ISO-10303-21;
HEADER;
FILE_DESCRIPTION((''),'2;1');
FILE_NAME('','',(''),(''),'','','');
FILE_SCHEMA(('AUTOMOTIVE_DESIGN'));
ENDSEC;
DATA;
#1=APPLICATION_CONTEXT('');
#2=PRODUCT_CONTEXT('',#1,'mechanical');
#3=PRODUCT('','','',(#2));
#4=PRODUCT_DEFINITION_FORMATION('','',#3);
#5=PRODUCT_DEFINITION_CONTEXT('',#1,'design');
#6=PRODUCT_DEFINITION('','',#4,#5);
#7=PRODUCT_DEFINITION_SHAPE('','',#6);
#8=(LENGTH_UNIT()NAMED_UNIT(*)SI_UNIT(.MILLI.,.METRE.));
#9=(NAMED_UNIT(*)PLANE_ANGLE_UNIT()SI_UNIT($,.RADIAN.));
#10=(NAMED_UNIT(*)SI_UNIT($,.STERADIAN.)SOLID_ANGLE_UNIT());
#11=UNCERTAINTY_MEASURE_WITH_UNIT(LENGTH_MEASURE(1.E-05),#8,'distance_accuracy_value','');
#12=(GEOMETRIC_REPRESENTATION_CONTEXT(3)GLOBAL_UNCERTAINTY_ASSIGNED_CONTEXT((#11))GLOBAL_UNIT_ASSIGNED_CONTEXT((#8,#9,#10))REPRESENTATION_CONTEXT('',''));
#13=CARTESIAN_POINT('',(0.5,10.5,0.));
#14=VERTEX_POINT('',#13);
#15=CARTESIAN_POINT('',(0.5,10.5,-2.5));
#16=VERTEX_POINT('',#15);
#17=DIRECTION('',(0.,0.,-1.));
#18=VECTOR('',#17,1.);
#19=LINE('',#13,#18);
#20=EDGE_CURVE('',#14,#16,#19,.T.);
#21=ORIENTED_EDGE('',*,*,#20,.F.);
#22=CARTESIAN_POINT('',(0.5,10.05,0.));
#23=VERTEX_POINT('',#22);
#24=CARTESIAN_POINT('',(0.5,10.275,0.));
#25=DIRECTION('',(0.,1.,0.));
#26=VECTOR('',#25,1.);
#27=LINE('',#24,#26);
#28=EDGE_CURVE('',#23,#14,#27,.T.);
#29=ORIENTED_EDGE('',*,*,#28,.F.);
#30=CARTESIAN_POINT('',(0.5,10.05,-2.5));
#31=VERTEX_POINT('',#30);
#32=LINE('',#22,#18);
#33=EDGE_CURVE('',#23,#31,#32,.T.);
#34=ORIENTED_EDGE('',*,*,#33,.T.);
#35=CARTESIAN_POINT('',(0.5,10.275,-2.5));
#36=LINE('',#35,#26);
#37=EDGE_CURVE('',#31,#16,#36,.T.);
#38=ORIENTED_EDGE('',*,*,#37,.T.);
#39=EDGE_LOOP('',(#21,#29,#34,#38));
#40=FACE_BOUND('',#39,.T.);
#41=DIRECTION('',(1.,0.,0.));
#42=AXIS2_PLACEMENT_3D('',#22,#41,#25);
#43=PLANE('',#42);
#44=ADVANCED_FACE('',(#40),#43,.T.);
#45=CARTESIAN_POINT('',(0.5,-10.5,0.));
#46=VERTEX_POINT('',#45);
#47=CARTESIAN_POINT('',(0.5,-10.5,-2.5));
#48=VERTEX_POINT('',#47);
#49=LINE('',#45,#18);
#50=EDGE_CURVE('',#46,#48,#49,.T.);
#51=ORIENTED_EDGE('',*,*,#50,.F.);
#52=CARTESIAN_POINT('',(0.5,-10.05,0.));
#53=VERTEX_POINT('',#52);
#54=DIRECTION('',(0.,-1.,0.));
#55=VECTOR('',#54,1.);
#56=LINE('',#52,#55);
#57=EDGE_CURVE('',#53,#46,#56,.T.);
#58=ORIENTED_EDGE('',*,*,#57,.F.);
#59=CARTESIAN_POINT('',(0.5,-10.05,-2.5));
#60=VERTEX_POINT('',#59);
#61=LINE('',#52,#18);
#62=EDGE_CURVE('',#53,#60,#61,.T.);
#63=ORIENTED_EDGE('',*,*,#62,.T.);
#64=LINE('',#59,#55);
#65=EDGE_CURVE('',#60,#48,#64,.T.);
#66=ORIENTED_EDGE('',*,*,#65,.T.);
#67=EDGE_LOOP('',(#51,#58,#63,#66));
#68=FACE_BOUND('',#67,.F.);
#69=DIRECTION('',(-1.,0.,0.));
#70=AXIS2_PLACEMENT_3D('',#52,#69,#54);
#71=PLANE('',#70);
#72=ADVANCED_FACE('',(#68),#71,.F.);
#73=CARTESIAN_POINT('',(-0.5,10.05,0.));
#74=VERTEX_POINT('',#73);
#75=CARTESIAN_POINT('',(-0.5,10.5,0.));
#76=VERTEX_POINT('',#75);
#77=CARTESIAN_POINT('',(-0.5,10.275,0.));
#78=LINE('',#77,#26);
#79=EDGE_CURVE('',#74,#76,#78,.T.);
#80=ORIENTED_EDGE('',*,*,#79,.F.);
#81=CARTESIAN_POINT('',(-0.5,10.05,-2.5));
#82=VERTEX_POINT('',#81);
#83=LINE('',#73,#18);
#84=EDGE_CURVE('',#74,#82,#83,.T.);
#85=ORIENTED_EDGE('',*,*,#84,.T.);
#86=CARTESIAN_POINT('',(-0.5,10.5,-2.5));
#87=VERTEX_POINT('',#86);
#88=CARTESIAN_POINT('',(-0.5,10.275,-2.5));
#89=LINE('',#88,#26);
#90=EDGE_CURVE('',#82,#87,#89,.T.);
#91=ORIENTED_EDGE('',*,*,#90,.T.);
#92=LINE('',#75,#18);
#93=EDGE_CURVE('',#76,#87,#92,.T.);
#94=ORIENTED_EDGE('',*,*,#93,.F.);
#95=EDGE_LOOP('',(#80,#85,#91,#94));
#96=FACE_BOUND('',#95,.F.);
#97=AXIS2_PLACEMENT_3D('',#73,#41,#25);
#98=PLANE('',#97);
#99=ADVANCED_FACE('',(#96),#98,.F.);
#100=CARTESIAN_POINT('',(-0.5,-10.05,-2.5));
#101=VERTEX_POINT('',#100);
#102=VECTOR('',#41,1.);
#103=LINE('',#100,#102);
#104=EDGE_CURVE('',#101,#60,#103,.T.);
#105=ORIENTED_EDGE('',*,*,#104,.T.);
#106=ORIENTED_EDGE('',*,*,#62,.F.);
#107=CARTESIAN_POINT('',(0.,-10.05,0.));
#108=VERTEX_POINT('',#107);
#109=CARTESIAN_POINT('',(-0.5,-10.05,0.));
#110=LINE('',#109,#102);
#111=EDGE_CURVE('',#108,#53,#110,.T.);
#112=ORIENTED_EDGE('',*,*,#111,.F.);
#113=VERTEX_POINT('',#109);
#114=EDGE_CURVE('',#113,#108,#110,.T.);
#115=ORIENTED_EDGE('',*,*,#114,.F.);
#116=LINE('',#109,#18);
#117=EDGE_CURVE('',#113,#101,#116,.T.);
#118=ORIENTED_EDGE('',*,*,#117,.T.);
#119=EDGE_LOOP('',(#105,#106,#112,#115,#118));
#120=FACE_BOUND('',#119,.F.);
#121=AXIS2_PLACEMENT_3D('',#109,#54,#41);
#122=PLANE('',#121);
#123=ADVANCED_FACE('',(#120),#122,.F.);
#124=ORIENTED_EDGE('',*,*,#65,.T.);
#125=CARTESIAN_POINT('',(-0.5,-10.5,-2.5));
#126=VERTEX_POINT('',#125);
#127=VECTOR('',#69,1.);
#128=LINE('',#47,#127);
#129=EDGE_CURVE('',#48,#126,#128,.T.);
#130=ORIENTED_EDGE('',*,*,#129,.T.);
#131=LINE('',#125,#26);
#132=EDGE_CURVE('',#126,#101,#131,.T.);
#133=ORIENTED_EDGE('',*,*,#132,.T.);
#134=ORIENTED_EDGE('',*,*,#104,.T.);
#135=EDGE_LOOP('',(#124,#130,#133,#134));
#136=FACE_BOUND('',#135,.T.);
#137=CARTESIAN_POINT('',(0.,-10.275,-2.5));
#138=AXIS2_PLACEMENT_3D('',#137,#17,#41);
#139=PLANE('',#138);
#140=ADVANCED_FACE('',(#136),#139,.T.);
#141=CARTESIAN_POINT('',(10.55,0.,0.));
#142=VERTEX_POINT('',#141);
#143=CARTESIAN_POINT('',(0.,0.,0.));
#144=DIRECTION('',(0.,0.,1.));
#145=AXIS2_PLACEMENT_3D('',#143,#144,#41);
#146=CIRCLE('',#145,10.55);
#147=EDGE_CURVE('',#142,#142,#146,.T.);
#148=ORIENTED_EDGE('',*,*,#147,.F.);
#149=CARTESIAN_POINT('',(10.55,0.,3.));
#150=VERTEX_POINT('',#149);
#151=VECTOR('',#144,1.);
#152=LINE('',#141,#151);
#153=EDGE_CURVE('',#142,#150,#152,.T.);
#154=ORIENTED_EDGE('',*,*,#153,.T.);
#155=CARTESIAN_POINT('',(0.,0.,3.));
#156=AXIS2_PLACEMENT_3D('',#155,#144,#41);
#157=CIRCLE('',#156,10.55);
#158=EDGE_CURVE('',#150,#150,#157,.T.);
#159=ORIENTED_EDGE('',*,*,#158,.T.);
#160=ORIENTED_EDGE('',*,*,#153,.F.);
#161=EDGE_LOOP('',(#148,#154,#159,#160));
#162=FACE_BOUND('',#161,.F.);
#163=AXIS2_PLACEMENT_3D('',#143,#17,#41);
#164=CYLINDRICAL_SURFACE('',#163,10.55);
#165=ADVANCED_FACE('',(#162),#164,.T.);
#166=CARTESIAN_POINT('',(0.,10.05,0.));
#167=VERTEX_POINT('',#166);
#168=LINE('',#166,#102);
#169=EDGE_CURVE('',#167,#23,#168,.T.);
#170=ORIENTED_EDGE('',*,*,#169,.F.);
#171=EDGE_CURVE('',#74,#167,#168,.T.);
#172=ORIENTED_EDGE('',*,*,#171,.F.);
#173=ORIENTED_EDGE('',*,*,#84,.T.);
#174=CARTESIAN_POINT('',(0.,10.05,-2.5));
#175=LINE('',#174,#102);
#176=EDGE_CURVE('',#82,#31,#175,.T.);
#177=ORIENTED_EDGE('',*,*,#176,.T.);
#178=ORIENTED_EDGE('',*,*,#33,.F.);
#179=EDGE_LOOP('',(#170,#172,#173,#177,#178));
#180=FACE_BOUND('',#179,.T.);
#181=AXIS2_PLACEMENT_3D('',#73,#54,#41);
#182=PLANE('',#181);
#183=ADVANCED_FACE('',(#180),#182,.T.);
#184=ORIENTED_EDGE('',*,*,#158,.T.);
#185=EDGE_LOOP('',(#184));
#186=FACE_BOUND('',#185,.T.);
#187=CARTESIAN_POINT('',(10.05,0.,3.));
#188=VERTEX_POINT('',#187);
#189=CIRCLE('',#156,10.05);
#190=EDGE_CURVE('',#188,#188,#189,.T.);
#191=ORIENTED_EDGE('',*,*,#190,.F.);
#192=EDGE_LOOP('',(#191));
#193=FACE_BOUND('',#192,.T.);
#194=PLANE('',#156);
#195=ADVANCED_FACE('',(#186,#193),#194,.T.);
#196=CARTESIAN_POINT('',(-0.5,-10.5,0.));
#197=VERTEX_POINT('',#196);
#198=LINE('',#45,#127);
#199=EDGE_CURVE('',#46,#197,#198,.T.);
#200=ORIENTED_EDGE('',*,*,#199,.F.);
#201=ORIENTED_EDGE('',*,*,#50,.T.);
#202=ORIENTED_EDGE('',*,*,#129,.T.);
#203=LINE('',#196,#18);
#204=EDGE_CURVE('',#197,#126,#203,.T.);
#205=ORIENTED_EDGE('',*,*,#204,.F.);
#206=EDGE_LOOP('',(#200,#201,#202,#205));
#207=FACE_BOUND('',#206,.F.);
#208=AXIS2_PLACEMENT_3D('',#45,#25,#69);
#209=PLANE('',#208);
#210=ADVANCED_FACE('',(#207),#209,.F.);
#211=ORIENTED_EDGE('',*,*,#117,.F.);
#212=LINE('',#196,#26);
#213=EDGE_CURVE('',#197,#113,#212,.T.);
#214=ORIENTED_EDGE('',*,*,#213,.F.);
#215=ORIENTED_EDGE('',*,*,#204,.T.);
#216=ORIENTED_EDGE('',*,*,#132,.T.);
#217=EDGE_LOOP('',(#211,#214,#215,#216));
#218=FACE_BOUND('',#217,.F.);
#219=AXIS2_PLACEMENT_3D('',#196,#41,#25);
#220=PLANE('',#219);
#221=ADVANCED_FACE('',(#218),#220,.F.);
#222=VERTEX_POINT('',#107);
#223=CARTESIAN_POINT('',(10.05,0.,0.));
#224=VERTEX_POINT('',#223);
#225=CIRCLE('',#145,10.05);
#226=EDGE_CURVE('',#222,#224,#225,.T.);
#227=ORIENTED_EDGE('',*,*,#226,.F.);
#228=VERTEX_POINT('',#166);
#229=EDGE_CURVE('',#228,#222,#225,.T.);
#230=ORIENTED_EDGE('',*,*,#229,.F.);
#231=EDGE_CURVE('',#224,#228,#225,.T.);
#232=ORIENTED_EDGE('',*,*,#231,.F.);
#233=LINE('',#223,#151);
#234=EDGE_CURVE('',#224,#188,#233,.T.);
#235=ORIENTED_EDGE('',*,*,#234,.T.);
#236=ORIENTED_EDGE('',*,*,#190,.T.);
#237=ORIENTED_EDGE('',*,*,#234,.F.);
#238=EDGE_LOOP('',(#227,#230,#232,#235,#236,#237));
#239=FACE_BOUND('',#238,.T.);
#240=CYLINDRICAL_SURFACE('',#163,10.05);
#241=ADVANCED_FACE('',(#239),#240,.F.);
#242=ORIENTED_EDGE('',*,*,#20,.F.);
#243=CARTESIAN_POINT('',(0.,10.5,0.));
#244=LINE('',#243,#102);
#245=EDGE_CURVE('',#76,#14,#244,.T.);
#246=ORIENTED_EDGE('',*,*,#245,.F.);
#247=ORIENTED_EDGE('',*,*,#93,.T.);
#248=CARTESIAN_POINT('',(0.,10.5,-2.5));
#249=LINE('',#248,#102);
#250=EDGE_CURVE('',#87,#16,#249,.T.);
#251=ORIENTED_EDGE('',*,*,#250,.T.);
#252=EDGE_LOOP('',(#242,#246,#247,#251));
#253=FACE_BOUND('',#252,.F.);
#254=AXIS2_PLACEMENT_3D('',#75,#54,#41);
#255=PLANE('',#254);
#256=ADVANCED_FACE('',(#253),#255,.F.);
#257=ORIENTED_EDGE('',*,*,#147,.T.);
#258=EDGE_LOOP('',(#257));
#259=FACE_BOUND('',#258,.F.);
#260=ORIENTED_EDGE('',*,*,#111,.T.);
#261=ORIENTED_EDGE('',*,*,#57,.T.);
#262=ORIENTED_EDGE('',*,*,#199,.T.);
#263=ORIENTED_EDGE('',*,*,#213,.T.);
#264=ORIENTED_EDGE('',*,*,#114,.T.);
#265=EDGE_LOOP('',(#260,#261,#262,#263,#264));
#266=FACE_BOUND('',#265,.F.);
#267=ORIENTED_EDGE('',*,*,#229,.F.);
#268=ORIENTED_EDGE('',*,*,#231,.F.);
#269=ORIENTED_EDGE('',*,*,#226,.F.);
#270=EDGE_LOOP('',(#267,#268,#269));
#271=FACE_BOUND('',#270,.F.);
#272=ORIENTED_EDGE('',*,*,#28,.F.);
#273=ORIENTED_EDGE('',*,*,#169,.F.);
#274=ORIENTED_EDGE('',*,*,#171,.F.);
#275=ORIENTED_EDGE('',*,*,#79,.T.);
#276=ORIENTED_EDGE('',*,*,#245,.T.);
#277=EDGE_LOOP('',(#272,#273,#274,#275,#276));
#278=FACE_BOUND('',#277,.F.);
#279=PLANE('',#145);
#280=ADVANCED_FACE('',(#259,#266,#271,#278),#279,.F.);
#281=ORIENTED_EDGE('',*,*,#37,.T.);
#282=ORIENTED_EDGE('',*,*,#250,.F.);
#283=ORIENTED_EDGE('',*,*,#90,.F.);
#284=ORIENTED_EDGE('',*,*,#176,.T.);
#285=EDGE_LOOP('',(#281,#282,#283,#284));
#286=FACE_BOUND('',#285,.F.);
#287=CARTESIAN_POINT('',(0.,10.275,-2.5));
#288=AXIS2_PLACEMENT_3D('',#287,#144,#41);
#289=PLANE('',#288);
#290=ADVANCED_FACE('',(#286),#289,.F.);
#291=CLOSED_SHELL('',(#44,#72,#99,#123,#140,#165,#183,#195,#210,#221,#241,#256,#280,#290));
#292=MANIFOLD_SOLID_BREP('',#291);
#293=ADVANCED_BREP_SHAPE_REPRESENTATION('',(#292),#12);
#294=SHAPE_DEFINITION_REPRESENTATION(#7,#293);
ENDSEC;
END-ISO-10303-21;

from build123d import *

# Parameters (mm, degrees)
F0_R     = 10.55
F0_R_2   = 10.05
F1_DEPTH = 3
F4_DEPTH = 2.5
F2_W     = 1
F2_H     = 0.45
F5_DEPTH = 2.5


with BuildPart() as f1:
    # F0 (on Top) → F1 (new body)
    with BuildSketch(Plane.XY):
        Circle(F0_R)
        Circle(F0_R_2, mode=Mode.SUBTRACT)
    extrude(amount=F1_DEPTH)

    # F3 (on face) → F4 (join)
    with BuildSketch(Plane(origin=(0, 0, 0), x_dir=(1, 0, 0), z_dir=(0, 0, -1))):
        Polygon((0, 10.05), (0.5, 10.05), (0.5, 10.5), (-0.5, 10.5), (-0.5, 10.05), align=None)
    extrude(amount=F4_DEPTH)

    # F2 (on Top) → F5 (join)
    with BuildSketch(Plane.XY):
        with Locations((0, 10.275)):
            Rectangle(F2_W, F2_H)
    extrude(amount=-F5_DEPTH)


solid = f1.part
